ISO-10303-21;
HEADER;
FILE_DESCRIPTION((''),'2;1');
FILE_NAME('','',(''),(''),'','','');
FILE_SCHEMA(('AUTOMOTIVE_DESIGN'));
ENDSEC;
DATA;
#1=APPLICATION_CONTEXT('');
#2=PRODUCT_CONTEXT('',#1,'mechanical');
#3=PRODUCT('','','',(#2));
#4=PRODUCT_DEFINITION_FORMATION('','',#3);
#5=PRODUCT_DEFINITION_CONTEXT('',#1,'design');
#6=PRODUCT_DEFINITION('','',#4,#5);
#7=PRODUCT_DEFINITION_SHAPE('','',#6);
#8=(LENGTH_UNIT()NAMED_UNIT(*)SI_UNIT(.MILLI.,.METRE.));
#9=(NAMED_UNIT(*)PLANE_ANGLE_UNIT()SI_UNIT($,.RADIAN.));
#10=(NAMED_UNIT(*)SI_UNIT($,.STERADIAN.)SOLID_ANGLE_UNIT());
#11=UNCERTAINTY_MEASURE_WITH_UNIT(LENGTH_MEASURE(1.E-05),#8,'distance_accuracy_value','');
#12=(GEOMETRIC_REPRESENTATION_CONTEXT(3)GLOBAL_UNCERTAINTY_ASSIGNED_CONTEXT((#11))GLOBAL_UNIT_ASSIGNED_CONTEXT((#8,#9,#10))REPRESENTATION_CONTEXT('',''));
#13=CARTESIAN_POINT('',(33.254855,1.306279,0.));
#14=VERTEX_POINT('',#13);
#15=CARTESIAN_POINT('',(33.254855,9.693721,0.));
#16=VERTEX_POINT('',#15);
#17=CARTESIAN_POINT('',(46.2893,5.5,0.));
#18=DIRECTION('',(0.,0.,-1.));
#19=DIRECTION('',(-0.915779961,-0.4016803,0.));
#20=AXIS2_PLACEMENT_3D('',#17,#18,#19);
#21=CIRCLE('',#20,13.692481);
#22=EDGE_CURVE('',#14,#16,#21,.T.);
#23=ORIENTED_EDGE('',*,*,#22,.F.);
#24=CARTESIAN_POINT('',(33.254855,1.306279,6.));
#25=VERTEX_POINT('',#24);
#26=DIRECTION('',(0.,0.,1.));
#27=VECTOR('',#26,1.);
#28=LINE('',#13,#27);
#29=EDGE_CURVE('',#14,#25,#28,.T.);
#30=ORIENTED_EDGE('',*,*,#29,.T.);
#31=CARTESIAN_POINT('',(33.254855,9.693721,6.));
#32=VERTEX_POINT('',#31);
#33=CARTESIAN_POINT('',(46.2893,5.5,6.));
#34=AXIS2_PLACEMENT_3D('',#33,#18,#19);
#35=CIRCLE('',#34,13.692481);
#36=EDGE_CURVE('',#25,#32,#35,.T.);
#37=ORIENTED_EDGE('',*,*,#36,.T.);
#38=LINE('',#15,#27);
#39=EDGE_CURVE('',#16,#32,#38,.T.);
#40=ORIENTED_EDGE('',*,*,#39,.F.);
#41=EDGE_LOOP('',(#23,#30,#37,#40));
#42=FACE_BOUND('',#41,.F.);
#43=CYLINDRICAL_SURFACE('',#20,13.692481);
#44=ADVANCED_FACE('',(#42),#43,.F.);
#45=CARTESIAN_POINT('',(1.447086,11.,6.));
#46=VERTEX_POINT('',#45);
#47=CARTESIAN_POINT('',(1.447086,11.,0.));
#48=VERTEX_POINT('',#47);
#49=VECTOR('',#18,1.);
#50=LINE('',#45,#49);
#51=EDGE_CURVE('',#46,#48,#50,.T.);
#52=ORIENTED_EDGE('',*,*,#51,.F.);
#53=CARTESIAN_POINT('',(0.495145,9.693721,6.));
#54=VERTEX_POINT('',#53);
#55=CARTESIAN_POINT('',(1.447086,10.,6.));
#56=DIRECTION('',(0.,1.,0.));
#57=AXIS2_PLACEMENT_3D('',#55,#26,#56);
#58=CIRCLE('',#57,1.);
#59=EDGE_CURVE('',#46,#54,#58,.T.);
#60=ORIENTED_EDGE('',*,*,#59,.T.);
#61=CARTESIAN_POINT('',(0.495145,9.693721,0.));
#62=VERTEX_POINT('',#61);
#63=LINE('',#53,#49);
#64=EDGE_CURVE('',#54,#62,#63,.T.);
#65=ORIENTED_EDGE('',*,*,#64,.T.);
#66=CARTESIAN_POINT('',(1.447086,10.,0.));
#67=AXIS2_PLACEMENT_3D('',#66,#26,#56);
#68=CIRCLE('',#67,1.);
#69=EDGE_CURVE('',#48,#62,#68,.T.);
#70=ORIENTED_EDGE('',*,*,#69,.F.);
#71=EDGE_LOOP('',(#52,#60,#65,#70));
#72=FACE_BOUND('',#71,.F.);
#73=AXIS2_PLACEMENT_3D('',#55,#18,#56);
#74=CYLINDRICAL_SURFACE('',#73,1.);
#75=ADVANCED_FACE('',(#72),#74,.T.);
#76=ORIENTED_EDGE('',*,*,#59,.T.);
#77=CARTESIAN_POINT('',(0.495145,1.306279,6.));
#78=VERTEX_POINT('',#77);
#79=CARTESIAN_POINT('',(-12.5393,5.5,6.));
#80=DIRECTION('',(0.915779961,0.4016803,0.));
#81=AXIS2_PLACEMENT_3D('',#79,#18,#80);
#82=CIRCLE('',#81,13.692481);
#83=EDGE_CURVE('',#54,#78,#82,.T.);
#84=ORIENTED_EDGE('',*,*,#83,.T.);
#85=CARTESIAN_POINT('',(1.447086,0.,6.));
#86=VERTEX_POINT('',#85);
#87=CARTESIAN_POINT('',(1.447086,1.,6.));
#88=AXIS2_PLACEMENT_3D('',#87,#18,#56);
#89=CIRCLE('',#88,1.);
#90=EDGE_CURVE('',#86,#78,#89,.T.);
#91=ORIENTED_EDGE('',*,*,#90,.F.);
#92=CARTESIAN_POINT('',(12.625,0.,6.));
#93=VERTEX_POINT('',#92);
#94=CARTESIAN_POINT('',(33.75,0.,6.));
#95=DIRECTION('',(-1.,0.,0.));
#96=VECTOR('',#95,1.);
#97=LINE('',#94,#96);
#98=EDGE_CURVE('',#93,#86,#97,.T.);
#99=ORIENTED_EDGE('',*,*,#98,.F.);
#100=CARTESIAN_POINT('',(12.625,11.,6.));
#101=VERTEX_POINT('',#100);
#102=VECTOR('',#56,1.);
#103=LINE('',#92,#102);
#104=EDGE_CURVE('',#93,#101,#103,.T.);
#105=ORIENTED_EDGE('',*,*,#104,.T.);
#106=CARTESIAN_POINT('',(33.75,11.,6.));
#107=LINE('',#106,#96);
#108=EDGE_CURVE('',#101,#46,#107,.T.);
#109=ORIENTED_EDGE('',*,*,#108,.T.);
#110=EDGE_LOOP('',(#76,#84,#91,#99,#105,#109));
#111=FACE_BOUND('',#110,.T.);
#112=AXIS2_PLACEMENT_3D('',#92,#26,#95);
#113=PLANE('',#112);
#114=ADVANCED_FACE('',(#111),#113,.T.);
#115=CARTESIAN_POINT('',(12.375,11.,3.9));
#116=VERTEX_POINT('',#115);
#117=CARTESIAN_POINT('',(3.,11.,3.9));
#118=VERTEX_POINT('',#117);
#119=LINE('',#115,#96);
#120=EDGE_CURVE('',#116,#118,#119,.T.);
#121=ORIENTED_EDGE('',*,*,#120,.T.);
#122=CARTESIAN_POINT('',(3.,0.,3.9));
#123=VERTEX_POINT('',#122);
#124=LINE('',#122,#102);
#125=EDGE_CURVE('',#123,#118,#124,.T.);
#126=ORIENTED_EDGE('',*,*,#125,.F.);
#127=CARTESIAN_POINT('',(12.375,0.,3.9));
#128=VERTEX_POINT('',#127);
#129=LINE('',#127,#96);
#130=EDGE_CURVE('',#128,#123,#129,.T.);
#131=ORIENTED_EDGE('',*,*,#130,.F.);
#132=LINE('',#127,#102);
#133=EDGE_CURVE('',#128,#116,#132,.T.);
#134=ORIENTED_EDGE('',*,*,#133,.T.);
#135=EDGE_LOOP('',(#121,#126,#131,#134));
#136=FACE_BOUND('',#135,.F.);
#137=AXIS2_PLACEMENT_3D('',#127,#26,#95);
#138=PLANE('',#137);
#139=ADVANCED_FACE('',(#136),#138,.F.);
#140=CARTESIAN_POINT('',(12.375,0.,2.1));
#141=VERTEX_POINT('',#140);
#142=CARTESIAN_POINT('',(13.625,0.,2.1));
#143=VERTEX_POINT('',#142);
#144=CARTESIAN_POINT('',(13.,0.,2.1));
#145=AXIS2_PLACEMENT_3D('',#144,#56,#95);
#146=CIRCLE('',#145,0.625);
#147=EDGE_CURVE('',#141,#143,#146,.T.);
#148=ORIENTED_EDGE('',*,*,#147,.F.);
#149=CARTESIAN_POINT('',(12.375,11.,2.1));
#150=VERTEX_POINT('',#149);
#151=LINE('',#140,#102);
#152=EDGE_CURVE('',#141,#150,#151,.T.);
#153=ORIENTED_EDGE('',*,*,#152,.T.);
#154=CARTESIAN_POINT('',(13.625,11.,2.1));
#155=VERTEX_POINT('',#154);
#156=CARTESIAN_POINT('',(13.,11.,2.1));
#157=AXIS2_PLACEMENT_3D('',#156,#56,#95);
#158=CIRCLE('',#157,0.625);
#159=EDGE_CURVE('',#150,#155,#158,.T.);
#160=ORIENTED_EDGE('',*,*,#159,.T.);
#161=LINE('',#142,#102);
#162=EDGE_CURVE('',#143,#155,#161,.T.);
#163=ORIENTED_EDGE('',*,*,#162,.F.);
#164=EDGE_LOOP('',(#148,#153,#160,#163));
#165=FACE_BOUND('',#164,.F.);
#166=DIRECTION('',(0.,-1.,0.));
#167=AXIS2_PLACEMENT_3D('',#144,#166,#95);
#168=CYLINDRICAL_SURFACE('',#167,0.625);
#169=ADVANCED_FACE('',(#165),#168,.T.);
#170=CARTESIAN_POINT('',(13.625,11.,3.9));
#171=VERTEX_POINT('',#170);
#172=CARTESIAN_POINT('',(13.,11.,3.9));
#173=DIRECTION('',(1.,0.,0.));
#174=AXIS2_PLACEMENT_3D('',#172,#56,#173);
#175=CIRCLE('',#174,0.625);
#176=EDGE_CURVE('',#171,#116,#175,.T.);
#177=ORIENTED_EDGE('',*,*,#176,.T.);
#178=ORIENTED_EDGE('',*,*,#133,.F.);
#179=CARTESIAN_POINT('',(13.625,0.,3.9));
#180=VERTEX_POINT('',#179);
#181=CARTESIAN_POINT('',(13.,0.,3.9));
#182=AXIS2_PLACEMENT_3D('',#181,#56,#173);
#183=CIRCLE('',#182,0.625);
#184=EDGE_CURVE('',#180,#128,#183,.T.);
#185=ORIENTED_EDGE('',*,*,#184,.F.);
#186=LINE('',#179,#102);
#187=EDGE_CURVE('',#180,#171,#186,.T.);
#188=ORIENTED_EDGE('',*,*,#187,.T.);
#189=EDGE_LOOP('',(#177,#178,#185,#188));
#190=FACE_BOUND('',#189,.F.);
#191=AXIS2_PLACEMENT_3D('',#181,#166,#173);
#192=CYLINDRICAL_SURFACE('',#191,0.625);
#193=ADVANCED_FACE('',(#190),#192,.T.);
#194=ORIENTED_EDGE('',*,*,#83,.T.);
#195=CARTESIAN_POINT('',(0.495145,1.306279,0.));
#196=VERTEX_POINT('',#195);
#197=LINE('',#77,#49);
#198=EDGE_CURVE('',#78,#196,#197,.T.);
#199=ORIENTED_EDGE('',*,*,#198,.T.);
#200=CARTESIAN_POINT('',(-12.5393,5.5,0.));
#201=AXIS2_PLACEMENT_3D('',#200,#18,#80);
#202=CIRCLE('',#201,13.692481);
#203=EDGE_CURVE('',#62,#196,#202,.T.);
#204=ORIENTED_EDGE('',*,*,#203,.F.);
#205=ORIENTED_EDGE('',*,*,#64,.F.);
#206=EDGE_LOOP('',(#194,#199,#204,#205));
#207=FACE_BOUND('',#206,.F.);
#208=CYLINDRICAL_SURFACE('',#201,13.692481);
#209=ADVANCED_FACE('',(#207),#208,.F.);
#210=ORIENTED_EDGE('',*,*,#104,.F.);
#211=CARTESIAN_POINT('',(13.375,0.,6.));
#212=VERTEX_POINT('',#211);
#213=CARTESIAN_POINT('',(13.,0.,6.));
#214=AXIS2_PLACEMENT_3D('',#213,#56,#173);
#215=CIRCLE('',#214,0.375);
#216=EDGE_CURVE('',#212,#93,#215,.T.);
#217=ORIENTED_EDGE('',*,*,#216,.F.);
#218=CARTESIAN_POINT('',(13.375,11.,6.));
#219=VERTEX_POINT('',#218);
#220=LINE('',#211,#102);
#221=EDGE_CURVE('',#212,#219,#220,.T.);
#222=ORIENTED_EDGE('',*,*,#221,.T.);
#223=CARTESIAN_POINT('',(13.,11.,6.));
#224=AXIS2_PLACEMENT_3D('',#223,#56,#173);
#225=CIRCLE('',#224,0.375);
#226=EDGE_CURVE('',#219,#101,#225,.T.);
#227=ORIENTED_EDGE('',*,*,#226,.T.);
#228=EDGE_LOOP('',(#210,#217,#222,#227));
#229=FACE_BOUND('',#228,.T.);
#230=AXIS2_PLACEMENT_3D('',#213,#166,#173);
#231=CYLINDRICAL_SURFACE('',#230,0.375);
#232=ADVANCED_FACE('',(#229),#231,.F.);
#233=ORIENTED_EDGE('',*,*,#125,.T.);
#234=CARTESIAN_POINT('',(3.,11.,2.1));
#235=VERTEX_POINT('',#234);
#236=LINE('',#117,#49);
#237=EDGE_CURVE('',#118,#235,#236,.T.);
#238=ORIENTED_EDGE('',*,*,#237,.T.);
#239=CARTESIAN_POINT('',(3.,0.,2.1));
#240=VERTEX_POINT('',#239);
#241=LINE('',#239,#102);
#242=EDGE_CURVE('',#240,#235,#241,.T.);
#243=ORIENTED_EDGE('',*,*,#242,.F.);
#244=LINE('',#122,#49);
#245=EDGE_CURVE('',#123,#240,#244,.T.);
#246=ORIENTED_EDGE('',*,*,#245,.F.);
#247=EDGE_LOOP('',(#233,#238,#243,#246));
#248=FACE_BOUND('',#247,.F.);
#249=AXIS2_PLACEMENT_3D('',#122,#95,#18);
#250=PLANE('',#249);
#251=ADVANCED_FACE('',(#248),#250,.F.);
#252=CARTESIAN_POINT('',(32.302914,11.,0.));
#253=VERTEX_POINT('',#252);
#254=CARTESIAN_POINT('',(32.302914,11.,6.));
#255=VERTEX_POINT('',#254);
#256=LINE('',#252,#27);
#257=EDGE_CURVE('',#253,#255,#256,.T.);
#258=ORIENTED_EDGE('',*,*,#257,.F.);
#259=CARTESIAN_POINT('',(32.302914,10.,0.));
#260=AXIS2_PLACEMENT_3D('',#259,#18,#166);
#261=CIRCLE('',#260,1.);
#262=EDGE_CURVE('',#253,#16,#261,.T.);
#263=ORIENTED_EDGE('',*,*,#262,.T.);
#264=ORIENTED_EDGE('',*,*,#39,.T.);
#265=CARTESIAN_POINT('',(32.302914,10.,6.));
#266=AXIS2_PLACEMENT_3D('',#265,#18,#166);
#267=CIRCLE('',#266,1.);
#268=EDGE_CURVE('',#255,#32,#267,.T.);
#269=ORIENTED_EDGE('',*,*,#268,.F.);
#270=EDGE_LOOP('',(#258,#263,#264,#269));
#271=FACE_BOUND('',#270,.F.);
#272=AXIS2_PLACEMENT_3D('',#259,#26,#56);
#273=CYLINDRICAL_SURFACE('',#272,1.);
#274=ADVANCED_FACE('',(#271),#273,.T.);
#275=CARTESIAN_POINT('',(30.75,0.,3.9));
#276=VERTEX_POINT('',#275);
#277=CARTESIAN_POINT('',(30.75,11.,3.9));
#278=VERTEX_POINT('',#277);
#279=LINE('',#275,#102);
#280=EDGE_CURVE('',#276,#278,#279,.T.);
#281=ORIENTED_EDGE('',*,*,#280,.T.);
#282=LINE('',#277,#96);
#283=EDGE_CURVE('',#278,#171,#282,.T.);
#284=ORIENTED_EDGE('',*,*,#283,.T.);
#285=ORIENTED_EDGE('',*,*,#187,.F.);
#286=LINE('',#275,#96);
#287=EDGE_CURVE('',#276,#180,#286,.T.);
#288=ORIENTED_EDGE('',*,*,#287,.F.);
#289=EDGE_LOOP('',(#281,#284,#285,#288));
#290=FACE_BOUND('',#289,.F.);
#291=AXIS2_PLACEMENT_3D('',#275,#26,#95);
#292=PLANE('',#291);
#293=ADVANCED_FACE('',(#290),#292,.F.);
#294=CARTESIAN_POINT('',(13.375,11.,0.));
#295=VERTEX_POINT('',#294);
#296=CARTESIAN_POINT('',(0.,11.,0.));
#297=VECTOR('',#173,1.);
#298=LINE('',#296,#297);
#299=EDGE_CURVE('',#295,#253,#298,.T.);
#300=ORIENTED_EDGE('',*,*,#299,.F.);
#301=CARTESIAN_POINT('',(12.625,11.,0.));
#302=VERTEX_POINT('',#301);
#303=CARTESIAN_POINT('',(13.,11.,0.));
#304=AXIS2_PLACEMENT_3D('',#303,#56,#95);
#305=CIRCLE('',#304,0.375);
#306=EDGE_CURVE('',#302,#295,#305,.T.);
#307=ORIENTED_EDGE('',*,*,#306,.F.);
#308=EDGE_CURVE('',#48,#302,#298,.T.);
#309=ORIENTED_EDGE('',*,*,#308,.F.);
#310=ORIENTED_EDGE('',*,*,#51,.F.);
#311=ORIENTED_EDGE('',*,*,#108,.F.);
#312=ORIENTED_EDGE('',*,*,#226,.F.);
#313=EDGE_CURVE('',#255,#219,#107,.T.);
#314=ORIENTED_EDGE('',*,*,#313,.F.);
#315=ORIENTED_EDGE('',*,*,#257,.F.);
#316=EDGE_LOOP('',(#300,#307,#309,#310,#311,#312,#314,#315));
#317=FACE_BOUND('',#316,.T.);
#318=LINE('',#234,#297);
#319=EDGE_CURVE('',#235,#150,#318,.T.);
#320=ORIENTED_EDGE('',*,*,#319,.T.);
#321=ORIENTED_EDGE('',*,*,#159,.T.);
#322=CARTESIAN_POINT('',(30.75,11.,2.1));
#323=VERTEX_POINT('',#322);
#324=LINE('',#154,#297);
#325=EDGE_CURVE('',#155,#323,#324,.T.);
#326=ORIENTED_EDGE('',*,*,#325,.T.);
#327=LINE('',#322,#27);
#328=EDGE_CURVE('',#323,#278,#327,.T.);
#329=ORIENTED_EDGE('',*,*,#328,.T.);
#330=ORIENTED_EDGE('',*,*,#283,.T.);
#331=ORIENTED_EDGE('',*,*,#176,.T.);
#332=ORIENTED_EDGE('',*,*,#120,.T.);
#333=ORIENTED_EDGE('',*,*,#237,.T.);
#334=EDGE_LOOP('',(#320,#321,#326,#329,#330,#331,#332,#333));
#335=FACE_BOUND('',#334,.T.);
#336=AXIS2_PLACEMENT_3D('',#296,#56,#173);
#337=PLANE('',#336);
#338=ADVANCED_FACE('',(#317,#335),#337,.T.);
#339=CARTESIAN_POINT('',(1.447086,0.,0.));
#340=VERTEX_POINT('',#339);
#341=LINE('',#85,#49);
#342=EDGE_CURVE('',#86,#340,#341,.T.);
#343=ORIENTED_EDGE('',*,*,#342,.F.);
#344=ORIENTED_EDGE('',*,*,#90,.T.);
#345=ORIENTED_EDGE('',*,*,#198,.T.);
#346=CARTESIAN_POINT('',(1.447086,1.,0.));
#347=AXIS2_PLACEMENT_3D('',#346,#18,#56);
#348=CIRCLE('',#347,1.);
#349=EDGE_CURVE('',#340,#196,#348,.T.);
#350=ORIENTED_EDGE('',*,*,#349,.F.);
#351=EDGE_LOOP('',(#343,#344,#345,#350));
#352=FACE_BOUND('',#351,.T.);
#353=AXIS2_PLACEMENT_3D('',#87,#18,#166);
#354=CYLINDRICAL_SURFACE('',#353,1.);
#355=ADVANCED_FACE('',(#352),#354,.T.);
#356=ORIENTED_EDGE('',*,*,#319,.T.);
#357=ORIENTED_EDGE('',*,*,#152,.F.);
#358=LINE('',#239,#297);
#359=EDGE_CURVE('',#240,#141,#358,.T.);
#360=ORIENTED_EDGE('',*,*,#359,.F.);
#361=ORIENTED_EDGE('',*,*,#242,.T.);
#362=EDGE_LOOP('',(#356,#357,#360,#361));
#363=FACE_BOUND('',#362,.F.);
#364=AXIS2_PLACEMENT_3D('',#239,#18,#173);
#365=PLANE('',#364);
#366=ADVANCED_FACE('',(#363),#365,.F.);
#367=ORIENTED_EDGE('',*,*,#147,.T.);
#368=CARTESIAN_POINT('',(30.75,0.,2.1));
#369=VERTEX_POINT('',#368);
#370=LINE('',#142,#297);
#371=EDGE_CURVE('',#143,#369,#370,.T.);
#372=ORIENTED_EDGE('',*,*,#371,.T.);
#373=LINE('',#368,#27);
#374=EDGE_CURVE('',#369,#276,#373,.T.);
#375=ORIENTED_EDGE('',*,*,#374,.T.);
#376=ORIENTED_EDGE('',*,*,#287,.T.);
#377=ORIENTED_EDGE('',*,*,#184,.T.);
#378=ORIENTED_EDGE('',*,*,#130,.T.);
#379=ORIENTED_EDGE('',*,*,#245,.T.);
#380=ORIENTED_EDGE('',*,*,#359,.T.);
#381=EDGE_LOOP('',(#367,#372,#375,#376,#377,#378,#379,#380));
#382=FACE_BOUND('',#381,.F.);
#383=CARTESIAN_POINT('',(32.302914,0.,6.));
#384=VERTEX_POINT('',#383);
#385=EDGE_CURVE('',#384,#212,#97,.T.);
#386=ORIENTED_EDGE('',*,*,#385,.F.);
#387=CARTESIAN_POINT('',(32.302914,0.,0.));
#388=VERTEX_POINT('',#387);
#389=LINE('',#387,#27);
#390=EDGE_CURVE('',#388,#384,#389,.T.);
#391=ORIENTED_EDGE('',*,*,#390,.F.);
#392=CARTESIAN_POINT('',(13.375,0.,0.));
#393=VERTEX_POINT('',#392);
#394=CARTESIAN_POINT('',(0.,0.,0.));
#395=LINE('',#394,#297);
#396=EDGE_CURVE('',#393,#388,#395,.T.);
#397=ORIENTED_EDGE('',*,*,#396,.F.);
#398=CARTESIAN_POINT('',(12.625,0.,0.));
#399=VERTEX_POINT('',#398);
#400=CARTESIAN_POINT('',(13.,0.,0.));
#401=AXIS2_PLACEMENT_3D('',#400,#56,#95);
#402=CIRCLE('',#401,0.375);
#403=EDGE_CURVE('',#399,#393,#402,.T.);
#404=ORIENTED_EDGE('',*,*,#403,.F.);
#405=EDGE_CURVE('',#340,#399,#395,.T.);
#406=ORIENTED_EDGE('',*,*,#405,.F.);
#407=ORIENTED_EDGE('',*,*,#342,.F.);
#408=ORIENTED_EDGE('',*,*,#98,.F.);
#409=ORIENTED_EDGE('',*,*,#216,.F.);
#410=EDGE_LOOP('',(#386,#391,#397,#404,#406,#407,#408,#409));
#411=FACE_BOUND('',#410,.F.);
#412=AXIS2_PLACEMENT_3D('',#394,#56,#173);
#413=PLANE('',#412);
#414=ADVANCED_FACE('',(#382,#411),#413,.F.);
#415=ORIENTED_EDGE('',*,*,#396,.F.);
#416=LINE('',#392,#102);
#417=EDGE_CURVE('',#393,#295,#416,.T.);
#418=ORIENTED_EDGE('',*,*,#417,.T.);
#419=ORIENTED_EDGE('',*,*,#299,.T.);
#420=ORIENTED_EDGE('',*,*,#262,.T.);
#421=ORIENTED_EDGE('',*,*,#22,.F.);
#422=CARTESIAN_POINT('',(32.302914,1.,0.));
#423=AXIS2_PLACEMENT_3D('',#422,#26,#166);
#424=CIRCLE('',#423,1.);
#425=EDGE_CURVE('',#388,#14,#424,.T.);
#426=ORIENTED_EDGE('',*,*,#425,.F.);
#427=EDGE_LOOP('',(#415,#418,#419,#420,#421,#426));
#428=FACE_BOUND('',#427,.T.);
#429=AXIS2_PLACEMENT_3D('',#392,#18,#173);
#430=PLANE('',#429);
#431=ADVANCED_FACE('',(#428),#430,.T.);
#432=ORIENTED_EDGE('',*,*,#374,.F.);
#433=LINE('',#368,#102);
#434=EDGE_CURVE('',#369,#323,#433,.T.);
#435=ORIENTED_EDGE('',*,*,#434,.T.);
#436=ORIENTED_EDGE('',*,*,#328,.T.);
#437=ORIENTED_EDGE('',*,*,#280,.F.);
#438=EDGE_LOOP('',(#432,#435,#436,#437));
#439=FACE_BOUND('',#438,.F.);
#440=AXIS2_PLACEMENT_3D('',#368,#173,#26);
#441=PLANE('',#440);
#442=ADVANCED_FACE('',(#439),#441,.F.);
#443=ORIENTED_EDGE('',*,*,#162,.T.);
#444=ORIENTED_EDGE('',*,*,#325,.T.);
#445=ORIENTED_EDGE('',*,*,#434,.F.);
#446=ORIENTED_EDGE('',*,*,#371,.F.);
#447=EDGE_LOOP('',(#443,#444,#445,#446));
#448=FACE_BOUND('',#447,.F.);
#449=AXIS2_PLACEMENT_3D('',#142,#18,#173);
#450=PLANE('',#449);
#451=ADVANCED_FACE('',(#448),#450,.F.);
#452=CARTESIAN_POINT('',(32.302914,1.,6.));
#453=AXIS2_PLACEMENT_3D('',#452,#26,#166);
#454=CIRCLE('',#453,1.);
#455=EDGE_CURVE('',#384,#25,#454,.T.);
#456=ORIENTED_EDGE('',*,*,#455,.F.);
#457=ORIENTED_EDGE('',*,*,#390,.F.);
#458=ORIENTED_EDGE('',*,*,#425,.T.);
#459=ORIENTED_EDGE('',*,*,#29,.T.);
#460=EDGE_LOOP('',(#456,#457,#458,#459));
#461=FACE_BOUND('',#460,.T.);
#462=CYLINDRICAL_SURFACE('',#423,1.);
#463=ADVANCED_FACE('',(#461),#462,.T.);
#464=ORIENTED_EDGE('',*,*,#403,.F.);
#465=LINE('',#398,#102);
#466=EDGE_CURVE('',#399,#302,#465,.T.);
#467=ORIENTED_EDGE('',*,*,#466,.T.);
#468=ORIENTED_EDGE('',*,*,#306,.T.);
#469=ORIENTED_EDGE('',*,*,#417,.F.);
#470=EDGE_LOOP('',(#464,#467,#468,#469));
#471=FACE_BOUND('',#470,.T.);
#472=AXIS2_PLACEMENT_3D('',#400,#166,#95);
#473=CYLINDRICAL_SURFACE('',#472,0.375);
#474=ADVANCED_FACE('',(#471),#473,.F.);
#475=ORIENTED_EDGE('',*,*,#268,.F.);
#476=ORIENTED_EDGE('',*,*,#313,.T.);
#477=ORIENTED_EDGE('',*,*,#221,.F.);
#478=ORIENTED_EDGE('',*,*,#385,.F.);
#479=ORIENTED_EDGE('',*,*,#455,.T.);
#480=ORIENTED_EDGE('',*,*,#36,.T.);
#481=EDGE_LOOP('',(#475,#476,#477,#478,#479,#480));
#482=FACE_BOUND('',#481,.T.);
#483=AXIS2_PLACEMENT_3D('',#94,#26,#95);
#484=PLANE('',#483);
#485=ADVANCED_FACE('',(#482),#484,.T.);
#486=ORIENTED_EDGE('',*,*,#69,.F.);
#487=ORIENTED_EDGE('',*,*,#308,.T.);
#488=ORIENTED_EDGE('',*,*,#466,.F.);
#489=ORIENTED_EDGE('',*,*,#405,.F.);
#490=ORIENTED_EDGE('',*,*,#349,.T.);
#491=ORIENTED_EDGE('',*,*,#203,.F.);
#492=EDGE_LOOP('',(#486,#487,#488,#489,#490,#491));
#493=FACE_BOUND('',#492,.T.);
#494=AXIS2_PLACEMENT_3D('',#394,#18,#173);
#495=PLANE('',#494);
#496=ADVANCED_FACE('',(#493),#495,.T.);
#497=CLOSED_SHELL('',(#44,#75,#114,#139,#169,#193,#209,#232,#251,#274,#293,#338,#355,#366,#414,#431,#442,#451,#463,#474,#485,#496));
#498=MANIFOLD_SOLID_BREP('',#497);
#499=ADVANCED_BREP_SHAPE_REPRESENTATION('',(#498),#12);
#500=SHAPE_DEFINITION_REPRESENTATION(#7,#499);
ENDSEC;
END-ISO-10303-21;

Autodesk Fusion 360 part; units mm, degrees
sketch "Sketch1" plane through (0, 0, 0) normal (0, 1, 0) x (1, 0, 0)
  line L0 (0, 0) -> (33.75, 0)
  line L1 (33.75, 0) -> (33.75, -6)
  line L2 (33.75, -6) -> (0, -6)
  line L3 (0, -6) -> (0, 0)
  line L4 (3, -3.9) -> (3, -2.1)
  line L5 (30.75, -2.1) -> (30.75, -3.9)
  line L6 (30.75, -3.9) -> (13.625, -3.9)
  line L7 (12.375, -3.9) -> (3, -3.9)
  line L8 (3, -2.1) -> (12.375, -2.1)
  line L9 (13.625, -2.1) -> (30.75, -2.1)
  arc A0 (12.375, -2.1) -> (13.625, -2.1) centre (13, -2.1) ccw
  arc A1 (12.625, 0) -> (13.375, 0) centre (13, 0) ccw
  arc A2 (13.375, -6) -> (12.625, -6) centre (13, -6) ccw
  arc A3 (13.625, -3.9) -> (12.375, -3.9) centre (13, -3.9) ccw
  dimension "d1" = 33.75
  dimension "d2" = 6
  dimension "d8" = 2.1
  dimension "d9" = 3
  dimension "d10" = 2.1
  dimension "d11" = 3
  dimension "d12" = 27
  dimension "d20" = 10
  dimension "d22" = 10
  dimension "d25" = 0.75
  dimension "d26" = 0.75
  dimension "d27" = 0.625
  dimension "d33" = 1.25
extrude "Extrude1" add sketch "Sketch1" along normal blind 11
sketch "Sketch2" plane through (0, 0, 0) normal (0, 0, -1) x (-1, 0, 0)
  line L0 (-33.75, 0) -> (0, 0)
  line L1 (0, 0) -> (0, 11)
  line L2 (0, 11) -> (-33.75, 11)
  line L3 (-33.75, 11) -> (-33.75, 0)
  arc A0 (0, 11) -> (0, 0) centre (12.5393, 5.5) ccw
  line L4 (0, 11) -> (0, 0)
  line L5 (-16.875, 11) -> (-16.875, 0)
  line L6 (-33.75, 11) -> (-33.75, 0)
  arc A1 (-33.75, 0) -> (-33.75, 11) centre (-46.2893, 5.5) ccw
  line L7 (-33.75, 0) -> (-33.75, 11)
extrude "Extrude2" cut sketch "Sketch2" against normal through all contours L3 L6 A1 L7 | L1 A0 L4
fillet "Fillet1" radius 1 2 edges at (0, 11, 3) (0, 0, 3)
fillet "Fillet1" radius 1 2 edges at (33.75, 11, 3) (33.75, 0, 3)
sketch "Sketch3" plane through (0, 11, 0) normal (0, 1, 0) x (-1, 0, 0)
  line L0 (-32.3029, 6) -> (-32.3029, 0)
  line L1 (-32.3029, 0) -> (-1.4471, 0)
  line L2 (-1.4471, 0) -> (-1.4471, 6)
  line L3 (-1.4471, 6) -> (-32.3029, 6)
  line L4 (-30.75, 3.9) -> (-13.625, 3.9)
  line L5 (-3, 3.9) -> (-3, 2.1)
  line L6 (-3, 2.1) -> (-12.375, 2.1)
  arc A0 (-12.375, 2.1) -> (-13.625, 2.1) centre (-13, 2.1) ccw
  line L7 (-13.625, 2.1) -> (-30.75, 2.1)
  line L8 (-30.75, 2.1) -> (-30.75, 3.9)
  circle A1 centre (-13, 0) radius 0.375
  circle A2 centre (-13, 6) radius 0.375
  arc A3 (-13.625, 3.9) -> (-12.375, 3.9) centre (-13, 3.9) ccw
  line L9 (-12.375, 3.9) -> (-3, 3.9)
  dimension "d28" = 0.75
  dimension "d29" = 0.75
  dimension "d30" = 10
  dimension "d31" = 10
extrude "Extrude3" cut sketch "Sketch3" against normal through all contours L3 A2 | L1 A1 picked at (-13.0916, 5.915) picked at (-12.9084, 0.085)
equation "d8 = d10"
equation "d11 = d9"
equation "d24 = 0.75 mm"
equation "d25 = d24"
equation "d26 = d24"
equation "d27 = d33 / 2"
equation "d31 = d30"
